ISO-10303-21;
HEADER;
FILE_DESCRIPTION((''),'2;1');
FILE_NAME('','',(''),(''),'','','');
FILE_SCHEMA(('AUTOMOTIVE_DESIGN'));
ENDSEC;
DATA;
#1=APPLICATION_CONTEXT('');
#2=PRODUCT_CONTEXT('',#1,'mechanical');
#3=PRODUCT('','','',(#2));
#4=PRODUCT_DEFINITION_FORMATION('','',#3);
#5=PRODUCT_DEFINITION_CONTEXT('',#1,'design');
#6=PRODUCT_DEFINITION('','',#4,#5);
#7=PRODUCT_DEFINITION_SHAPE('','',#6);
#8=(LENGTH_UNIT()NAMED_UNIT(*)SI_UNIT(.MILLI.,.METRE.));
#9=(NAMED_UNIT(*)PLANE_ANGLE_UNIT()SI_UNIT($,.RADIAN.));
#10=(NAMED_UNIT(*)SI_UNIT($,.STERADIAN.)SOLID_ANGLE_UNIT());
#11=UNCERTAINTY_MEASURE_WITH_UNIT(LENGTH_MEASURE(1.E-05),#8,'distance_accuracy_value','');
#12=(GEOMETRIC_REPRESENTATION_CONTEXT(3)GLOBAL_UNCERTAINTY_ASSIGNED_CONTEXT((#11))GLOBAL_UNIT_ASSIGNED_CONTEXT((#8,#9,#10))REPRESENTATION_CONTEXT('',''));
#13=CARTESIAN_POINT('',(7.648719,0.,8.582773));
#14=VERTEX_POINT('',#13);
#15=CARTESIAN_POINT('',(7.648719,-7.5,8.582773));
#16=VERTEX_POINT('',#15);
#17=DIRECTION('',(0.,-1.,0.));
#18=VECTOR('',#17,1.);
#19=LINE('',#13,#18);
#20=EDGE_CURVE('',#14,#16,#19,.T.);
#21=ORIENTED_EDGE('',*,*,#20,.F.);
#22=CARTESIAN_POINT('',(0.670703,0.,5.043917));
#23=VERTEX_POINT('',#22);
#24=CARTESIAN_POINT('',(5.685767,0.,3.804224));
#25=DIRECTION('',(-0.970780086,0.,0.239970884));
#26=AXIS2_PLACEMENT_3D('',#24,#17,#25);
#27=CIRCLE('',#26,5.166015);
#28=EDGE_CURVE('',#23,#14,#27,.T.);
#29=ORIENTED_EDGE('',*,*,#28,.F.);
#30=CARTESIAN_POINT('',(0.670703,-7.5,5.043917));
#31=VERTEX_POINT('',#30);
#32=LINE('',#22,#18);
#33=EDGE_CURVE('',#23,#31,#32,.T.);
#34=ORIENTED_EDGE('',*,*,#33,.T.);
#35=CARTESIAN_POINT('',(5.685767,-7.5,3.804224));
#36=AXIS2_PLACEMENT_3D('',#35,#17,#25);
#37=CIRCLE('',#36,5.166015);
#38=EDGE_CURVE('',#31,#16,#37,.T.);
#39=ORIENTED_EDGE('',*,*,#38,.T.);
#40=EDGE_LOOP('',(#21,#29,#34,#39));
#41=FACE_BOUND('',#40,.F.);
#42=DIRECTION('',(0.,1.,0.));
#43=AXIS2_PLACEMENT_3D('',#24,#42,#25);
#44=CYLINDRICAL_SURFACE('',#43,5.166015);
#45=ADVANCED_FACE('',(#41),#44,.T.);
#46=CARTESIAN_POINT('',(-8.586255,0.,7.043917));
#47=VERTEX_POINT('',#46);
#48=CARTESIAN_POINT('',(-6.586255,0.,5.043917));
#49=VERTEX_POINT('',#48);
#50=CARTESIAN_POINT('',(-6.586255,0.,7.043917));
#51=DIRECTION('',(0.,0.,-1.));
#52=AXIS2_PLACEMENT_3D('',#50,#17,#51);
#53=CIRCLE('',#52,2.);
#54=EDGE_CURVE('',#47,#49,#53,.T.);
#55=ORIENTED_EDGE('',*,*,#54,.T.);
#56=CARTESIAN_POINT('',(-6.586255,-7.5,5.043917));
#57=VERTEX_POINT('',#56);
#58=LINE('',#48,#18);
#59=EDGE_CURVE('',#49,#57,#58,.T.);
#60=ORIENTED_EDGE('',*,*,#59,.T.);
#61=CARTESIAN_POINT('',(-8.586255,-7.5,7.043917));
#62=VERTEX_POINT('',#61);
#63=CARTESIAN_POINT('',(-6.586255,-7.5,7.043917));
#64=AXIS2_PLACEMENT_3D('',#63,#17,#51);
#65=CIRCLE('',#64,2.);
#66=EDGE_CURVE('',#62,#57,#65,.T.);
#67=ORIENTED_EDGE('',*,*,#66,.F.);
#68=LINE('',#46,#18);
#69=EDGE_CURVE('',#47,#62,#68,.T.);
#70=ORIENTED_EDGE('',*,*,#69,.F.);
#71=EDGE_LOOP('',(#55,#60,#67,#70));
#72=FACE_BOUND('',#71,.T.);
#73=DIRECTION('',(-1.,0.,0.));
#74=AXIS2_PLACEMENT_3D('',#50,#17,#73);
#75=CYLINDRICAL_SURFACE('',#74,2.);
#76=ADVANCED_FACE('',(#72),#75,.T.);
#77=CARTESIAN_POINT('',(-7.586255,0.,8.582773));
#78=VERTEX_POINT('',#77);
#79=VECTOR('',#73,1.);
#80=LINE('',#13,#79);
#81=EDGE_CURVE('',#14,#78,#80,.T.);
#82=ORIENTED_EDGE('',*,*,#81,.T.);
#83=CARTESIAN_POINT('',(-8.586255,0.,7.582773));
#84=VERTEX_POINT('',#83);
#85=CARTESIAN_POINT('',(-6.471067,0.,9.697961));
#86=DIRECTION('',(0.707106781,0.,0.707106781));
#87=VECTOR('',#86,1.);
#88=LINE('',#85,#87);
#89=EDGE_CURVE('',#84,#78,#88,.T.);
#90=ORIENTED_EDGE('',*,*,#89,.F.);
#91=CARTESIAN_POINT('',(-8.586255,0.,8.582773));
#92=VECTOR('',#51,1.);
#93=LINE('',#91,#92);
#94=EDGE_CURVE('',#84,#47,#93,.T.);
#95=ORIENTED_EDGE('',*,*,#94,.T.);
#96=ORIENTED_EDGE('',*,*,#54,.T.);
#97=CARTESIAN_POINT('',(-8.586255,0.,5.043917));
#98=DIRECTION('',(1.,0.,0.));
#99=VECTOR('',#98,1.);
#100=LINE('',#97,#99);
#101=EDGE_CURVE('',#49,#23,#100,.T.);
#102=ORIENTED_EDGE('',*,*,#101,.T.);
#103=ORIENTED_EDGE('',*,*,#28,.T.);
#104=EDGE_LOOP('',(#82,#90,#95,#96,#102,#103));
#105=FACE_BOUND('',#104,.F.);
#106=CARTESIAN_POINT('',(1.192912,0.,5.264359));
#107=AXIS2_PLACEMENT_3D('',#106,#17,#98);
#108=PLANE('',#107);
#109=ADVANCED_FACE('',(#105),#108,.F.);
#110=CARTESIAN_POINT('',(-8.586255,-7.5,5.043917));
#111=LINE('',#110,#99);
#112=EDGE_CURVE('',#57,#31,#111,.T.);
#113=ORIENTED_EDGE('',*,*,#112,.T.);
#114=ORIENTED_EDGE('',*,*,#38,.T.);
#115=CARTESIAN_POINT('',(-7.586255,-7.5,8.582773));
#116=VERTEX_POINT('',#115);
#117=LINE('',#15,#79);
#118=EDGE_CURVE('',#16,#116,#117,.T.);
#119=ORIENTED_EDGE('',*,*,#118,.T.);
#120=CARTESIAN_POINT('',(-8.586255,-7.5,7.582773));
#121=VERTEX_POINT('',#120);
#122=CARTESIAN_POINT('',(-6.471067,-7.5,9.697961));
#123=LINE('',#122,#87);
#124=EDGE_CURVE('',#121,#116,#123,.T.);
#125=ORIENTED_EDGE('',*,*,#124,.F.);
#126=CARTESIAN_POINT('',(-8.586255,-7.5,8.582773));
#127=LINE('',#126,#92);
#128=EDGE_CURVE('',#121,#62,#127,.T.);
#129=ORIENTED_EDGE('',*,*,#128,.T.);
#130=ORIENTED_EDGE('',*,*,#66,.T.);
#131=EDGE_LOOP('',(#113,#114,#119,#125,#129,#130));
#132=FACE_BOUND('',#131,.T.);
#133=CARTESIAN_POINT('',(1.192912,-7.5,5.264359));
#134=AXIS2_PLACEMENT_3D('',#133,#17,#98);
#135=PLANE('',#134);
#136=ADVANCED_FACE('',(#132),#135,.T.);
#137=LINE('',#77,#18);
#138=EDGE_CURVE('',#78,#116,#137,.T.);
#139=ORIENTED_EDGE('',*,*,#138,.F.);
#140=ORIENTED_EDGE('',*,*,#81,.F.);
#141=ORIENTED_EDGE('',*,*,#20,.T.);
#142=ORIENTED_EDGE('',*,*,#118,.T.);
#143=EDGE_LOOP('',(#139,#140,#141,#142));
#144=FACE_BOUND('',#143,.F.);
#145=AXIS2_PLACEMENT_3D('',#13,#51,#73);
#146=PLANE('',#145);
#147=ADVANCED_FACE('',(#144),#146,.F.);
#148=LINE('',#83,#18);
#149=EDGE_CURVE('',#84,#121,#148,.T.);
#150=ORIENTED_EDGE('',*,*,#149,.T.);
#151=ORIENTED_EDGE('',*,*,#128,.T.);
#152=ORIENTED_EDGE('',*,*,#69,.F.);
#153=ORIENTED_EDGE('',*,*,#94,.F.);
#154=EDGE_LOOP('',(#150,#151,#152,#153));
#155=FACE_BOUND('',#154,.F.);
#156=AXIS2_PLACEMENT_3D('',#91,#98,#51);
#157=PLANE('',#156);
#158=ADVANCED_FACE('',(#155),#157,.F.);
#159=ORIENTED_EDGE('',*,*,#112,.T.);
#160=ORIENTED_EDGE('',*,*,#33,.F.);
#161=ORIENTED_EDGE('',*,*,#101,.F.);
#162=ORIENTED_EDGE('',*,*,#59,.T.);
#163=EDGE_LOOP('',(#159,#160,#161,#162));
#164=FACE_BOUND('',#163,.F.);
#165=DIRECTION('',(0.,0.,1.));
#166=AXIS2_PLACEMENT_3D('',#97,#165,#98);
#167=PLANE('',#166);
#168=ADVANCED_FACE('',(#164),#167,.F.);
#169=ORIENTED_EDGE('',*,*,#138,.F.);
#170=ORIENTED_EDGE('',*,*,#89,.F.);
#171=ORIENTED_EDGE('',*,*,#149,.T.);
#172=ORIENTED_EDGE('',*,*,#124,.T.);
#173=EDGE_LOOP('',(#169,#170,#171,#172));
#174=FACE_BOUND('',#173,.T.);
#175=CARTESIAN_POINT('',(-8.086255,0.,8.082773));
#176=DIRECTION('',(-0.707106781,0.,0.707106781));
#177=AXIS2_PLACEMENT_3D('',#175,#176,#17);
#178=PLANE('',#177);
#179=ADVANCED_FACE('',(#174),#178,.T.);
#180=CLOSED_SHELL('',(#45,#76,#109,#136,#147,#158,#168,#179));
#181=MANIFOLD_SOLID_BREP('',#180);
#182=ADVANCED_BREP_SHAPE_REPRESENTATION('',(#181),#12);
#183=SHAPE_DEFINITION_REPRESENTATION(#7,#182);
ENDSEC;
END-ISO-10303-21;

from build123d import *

# Parameters (mm, degrees)
F1_DEPTH = 7.5
F2_R     = 2
F3_SIZE  = 1


with BuildPart() as f1:
    # F0 (on Front) → F1 (new body)
    with BuildSketch(Plane.XZ):
        with BuildLine():
            Line((7.648719, 8.582773), (-8.586255, 8.582773))
            Line((-8.586255, 8.582773), (-8.586255, 5.043917))
            Line((-8.586255, 5.043917), (0.670703, 5.043917))
            ThreePointArc((0.670703, 5.043917), (8.022373, -0.80316), (7.648719, 8.582773))
        make_face()
    extrude(amount=F1_DEPTH)

    # F2
    f2_edges = [f1.edges().sort_by_distance(p)[0] for p in [
        (-8.586255, -3.75, 5.043917),
    ]]
    fillet(f2_edges, radius=F2_R)

    # F3
    f3_edges = [f1.edges().sort_by_distance(p)[0] for p in [
        (-8.586255, -3.75, 8.582773),
    ]]
    chamfer(f3_edges, length=F3_SIZE)


solid = f1.part
